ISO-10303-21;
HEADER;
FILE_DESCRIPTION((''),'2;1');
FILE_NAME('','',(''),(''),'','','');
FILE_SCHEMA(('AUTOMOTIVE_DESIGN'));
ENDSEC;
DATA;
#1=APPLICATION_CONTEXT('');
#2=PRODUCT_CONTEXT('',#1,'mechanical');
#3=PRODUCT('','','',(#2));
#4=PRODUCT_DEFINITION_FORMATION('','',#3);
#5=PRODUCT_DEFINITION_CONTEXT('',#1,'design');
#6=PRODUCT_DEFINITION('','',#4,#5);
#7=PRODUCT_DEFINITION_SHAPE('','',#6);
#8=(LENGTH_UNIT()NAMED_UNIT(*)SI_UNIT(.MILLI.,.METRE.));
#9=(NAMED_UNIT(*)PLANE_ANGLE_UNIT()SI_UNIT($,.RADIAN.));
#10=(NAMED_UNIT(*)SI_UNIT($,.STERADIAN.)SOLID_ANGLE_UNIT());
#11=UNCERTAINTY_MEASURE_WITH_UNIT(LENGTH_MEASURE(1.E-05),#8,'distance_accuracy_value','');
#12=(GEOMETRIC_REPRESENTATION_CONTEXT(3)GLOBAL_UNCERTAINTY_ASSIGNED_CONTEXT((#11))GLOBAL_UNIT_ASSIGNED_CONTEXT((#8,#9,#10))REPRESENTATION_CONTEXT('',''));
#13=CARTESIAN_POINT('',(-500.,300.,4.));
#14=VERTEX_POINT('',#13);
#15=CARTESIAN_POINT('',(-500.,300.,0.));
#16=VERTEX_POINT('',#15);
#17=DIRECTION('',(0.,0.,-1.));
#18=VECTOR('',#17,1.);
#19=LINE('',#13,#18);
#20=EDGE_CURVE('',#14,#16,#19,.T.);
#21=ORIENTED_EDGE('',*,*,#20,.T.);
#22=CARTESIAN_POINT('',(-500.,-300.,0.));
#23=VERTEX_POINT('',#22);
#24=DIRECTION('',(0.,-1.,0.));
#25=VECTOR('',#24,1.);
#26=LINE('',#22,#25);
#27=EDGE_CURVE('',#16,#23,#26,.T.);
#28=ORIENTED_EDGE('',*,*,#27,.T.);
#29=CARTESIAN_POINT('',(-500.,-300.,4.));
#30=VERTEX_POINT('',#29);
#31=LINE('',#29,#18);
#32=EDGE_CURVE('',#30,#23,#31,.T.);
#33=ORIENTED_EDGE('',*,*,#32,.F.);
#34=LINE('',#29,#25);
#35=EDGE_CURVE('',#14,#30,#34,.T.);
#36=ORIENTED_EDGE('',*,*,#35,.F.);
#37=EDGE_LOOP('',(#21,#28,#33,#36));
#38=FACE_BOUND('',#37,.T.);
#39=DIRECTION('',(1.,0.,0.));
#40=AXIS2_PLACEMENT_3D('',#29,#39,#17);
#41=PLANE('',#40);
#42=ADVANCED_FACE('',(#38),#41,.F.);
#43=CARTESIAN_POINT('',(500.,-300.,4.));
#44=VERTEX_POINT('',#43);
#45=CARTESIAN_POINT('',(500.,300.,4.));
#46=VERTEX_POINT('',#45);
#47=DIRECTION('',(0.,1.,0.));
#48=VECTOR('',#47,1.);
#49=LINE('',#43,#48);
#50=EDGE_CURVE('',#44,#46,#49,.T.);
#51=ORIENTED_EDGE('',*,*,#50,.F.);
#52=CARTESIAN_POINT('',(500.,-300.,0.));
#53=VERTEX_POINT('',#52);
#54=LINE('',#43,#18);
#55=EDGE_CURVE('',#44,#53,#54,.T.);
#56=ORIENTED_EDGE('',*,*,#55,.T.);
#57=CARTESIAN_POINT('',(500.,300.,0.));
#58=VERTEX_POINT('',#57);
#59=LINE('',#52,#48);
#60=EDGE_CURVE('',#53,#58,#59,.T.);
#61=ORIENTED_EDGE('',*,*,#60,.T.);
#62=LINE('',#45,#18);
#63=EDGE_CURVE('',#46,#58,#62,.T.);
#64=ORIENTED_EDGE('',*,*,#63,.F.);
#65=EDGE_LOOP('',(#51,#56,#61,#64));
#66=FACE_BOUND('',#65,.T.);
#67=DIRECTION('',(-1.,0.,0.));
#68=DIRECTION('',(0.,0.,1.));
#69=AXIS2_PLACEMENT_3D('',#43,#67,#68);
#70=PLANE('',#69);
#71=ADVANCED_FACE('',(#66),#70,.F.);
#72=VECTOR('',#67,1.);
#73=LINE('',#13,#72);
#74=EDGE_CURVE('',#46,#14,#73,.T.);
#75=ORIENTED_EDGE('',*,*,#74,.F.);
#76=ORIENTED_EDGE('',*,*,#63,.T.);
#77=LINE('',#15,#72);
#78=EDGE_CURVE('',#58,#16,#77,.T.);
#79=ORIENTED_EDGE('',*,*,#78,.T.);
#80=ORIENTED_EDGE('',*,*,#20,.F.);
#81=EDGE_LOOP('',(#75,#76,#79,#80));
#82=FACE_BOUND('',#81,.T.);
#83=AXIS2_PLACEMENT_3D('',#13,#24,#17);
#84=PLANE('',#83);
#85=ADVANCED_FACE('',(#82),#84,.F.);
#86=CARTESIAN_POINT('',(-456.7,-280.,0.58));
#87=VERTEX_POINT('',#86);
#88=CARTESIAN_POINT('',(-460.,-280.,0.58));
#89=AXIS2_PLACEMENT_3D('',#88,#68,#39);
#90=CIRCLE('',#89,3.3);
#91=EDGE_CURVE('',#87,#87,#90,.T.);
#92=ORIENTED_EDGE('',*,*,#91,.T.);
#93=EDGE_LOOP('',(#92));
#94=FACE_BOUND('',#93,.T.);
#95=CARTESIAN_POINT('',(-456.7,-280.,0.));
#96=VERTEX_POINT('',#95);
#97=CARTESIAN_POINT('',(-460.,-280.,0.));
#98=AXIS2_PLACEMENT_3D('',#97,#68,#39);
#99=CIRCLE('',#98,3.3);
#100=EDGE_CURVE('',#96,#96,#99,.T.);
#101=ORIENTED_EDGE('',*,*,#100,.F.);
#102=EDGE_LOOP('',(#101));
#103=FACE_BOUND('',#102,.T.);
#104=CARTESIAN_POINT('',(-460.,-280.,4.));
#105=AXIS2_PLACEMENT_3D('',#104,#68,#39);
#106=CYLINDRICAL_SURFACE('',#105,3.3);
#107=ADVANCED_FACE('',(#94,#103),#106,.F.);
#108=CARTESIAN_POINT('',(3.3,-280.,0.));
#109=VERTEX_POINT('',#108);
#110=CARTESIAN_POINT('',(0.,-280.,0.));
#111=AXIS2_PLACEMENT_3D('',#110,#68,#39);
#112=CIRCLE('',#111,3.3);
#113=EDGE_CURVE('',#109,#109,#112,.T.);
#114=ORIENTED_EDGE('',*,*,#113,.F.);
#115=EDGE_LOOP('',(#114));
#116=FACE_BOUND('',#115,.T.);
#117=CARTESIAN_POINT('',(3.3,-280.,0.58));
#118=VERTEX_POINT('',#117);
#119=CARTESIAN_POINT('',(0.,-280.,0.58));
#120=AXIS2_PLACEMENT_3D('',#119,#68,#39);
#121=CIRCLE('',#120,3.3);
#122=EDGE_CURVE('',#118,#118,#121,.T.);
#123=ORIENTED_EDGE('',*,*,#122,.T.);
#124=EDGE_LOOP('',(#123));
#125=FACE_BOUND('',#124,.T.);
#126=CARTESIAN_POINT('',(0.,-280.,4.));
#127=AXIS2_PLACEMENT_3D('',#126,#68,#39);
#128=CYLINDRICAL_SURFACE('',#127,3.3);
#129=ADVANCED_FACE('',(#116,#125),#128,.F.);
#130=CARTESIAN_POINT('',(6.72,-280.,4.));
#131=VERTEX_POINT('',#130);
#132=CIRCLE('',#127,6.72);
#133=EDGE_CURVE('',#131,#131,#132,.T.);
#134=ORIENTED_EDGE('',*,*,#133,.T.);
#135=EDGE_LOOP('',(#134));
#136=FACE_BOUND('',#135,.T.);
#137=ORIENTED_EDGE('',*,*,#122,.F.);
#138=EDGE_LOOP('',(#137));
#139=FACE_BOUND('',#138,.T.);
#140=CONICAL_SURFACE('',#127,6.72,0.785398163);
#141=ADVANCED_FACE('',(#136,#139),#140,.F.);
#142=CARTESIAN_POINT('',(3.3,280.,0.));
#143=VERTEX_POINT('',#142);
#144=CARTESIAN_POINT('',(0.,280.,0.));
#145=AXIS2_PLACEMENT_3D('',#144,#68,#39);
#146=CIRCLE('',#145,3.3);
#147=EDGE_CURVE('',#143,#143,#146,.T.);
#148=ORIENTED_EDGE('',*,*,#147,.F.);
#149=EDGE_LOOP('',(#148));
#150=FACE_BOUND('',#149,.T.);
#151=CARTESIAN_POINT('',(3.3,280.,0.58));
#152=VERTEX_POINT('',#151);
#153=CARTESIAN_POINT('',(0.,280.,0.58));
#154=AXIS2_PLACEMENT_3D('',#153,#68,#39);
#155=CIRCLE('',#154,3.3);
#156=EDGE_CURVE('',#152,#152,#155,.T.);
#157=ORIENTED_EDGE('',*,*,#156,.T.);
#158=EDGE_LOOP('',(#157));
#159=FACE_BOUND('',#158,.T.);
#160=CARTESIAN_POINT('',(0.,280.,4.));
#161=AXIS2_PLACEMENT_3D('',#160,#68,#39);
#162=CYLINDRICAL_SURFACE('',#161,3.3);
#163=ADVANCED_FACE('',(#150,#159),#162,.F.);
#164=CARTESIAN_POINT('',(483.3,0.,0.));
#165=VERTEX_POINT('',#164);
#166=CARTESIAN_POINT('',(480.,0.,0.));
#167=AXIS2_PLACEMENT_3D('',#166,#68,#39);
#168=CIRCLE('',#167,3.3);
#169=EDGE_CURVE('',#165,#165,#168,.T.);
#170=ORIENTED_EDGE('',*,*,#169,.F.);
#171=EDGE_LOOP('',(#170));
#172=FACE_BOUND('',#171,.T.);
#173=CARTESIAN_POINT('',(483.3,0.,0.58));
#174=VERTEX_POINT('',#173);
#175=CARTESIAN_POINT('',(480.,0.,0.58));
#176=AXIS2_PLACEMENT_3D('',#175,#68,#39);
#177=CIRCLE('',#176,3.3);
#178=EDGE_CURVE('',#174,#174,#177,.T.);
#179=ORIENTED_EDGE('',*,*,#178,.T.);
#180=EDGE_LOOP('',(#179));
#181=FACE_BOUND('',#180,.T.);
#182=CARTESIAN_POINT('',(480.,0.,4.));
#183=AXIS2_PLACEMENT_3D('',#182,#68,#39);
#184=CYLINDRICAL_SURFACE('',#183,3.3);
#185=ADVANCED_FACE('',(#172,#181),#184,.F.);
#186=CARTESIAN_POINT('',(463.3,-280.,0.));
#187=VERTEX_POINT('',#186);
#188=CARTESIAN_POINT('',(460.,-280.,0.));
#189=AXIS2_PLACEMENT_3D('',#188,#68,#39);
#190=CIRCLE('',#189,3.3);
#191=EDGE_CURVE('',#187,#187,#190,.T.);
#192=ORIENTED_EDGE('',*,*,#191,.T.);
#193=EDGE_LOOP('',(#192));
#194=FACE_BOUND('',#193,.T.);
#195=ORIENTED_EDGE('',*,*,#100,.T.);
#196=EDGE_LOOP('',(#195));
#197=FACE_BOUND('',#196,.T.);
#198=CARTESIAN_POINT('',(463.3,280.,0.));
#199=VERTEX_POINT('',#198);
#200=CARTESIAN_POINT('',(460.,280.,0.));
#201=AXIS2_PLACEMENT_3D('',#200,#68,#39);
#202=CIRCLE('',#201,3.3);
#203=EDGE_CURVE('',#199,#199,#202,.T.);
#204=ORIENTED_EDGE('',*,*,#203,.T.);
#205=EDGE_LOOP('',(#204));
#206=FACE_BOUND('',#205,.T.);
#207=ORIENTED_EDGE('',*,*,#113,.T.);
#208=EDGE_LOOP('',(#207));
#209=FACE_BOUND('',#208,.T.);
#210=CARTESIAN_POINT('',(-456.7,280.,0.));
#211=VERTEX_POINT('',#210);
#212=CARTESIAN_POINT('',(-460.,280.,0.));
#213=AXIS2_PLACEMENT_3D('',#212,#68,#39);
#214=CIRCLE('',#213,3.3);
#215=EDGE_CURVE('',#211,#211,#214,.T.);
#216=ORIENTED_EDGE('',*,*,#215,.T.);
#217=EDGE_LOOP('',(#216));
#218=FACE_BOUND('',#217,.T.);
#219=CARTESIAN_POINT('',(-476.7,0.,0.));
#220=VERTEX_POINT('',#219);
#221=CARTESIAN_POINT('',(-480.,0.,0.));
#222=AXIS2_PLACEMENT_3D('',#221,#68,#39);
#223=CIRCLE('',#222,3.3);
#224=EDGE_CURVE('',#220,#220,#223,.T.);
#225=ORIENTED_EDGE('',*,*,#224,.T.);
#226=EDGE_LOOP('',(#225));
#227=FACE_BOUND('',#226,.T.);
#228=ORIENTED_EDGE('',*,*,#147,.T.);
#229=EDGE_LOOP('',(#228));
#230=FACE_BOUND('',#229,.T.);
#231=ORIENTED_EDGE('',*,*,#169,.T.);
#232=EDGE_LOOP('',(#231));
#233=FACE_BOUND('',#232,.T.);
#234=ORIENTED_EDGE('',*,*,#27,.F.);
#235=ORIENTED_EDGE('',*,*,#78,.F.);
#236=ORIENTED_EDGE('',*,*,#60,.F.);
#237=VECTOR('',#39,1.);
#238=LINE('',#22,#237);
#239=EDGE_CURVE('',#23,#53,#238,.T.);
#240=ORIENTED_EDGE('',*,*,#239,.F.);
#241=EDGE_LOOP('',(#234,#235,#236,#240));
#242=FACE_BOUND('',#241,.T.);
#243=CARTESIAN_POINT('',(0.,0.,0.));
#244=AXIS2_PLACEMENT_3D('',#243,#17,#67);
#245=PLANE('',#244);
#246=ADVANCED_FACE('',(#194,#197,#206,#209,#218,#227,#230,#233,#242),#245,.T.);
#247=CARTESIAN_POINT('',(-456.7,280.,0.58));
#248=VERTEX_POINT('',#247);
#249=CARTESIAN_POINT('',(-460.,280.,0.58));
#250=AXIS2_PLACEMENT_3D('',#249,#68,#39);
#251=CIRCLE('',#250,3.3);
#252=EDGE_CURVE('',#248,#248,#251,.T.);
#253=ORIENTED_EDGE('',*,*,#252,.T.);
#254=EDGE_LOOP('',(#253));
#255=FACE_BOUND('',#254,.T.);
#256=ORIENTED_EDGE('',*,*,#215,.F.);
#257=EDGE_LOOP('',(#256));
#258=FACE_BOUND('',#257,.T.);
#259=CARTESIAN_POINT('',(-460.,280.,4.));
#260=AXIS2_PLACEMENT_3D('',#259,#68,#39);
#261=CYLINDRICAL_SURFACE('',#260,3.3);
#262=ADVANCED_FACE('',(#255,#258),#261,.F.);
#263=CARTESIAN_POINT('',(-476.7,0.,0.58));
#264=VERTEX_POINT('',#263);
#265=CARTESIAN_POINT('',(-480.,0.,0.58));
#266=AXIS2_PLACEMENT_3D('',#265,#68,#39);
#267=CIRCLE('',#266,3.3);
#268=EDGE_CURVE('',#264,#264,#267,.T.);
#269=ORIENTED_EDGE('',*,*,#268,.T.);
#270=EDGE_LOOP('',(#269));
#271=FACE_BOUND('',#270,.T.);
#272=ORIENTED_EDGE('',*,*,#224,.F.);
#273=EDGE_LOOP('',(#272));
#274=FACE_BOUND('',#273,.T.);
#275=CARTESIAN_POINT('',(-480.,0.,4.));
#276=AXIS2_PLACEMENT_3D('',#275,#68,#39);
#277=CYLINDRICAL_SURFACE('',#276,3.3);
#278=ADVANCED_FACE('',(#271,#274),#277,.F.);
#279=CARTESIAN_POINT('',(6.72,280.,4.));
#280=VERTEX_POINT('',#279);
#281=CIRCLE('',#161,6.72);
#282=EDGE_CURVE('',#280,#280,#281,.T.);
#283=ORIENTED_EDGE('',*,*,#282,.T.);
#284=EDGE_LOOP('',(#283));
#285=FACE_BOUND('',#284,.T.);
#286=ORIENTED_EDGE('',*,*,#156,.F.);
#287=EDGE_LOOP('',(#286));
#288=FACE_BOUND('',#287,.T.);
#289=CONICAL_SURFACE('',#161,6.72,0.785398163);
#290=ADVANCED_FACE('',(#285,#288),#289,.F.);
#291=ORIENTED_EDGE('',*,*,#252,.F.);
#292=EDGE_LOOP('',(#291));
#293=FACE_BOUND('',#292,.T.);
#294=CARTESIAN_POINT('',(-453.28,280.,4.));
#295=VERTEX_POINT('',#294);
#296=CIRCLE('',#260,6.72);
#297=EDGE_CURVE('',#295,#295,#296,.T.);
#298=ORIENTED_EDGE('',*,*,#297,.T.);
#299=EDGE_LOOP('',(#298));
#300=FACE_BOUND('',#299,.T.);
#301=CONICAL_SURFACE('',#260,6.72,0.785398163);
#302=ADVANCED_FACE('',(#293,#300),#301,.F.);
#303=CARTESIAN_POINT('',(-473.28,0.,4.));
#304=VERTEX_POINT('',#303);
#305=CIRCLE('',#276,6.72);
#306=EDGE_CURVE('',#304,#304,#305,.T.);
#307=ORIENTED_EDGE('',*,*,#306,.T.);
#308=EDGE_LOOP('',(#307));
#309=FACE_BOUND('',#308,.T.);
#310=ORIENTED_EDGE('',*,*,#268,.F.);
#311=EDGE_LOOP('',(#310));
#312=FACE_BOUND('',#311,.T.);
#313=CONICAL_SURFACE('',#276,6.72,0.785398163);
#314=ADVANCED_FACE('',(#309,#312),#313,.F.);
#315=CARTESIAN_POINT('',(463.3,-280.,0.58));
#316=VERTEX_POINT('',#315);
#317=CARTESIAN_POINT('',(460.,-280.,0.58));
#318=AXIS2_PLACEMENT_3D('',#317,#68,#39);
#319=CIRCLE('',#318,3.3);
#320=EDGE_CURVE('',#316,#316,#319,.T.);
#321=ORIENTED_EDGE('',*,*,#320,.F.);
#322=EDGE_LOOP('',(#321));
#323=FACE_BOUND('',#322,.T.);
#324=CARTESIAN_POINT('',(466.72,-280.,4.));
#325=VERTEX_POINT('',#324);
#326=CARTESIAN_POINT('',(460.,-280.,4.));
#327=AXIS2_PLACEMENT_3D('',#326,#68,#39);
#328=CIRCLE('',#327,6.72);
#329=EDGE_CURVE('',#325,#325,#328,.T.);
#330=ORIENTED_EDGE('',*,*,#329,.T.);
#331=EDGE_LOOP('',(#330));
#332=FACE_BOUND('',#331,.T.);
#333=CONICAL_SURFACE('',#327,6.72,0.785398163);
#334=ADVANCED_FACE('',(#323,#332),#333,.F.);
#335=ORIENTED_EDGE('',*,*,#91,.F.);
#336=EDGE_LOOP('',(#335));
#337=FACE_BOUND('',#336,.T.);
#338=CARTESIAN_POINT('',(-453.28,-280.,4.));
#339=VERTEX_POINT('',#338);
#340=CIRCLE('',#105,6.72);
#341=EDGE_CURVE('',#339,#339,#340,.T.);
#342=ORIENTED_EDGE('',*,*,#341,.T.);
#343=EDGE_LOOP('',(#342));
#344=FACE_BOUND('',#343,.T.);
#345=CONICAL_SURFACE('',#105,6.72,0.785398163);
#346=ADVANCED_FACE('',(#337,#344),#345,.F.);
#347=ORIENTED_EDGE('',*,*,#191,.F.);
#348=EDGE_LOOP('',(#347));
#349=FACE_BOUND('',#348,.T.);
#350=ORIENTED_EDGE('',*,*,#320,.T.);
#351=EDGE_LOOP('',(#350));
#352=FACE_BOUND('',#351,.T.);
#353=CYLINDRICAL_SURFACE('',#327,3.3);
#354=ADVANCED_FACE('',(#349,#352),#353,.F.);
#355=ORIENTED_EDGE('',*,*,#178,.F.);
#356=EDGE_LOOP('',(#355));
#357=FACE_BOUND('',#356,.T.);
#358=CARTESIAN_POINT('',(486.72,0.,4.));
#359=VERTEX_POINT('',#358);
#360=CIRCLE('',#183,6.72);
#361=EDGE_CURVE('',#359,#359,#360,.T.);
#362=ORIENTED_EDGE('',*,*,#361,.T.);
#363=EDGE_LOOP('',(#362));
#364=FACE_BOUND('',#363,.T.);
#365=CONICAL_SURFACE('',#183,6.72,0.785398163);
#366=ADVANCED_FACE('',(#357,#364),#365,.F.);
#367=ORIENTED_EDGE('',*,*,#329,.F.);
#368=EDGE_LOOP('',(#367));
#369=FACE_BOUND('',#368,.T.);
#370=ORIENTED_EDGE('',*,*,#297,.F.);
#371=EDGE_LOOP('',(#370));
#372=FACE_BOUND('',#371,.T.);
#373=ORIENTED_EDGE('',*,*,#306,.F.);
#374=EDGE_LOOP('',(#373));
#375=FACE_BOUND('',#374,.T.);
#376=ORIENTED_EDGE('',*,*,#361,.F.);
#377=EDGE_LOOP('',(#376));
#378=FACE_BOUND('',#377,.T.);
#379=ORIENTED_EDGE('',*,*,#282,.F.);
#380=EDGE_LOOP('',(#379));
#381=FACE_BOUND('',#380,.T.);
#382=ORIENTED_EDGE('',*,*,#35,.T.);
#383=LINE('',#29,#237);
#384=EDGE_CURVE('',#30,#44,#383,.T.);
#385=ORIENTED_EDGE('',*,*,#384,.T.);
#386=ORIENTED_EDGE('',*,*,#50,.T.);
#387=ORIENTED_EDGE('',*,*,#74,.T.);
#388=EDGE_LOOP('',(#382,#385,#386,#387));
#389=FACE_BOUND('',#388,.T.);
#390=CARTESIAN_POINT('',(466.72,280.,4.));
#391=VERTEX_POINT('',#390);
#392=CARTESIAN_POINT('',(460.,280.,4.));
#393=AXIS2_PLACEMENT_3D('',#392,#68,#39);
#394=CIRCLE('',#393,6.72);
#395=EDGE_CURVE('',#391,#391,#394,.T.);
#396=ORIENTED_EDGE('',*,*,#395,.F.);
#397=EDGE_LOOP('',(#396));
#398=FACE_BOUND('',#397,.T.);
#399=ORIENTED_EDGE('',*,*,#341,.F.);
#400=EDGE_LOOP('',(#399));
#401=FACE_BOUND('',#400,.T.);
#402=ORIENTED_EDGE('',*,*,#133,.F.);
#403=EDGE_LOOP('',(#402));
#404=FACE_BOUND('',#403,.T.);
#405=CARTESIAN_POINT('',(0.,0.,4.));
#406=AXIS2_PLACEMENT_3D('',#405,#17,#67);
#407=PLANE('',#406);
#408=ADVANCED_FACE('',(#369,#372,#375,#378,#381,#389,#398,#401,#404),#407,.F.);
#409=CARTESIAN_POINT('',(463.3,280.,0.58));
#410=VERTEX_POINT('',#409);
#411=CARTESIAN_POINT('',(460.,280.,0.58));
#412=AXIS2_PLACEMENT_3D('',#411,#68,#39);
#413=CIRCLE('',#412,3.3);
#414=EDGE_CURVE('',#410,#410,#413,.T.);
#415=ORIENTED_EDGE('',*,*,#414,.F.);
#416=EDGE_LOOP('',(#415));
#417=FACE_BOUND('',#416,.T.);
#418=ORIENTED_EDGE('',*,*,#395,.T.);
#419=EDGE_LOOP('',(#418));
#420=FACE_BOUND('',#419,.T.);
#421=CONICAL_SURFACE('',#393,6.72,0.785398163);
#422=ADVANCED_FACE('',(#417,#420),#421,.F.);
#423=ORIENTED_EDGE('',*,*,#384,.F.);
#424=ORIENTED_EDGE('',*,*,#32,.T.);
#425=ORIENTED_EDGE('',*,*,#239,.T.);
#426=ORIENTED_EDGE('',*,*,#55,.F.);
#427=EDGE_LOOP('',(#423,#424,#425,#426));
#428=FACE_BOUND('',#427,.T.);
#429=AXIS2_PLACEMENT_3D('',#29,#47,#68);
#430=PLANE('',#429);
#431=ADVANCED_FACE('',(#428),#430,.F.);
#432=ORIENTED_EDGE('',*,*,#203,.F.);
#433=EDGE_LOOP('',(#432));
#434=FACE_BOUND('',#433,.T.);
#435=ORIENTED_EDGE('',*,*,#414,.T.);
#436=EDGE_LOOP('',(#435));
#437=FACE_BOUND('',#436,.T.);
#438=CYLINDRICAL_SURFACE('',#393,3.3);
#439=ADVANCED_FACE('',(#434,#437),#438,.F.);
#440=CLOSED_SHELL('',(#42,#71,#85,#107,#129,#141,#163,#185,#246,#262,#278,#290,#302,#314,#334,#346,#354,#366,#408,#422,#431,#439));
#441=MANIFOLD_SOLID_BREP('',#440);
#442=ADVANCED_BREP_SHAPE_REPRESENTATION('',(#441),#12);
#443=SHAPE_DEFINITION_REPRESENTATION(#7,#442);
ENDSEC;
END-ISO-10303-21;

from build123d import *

# Parameters (mm, degrees)
SKETCH1_W                                    = 1000
SKETCH1_H                                    = 600
BOSS_EXTRUDE1_DEPTH                          = 4
CSK_FOR_M6_HEX_SOCKET_COUNTERSUNK_CA_2_COUNT = 2
CSK_FOR_M6_HEX_SOCKET_COUNTERSUNK_CA_2_PITCH = 960
CSK_FOR_M6_HEX_SOCKET_COUNTERSUNK_CA_3_COUNT = 2
CSK_FOR_M6_HEX_SOCKET_COUNTERSUNK_CA_3_PITCH = 280.713376952
CSK_FOR_M6_HEX_SOCKET_COUNTERSUNK_CA_4_COUNT = 2
CSK_FOR_M6_HEX_SOCKET_COUNTERSUNK_CA_4_PITCH = 555.697759578
CSK_FOR_M6_HEX_SOCKET_COUNTERSUNK_CA_5_COUNT = 2
CSK_FOR_M6_HEX_SOCKET_COUNTERSUNK_CA_5_PITCH = 980.815986819
CSK_FOR_M6_HEX_SOCKET_COUNTERSUNK_CA_6_COUNT = 2
CSK_FOR_M6_HEX_SOCKET_COUNTERSUNK_CA_6_PITCH = 980.815986819
CSK_FOR_M6_HEX_SOCKET_COUNTERSUNK_CA_7_COUNT = 2
CSK_FOR_M6_HEX_SOCKET_COUNTERSUNK_CA_7_PITCH = 555.697759578
CSK_FOR_M6_HEX_SOCKET_COUNTERSUNK_CA_8_COUNT = 2
CSK_FOR_M6_HEX_SOCKET_COUNTERSUNK_CA_8_PITCH = 280.713376952


with BuildPart() as part:
    # Sketch1 → Boss-Extrude1 (new body)
    with BuildSketch(Plane.XY):
        Rectangle(SKETCH1_W, SKETCH1_H)
    extrude(amount=BOSS_EXTRUDE1_DEPTH)

    # Sketch4 → CSK for M6 Hex Socket Countersunk Cap Screw1 (revolve, cut)
    with BuildSketch(Plane(origin=(-480, 0, 4), x_dir=(0, -1, 0), z_dir=(1, 0, 0))):
        Polygon((0, 0), (0, 4), (3.3, 4), (3.3, 3.42), (6.72, 0), align=None)
    csk_for_m6_hex_socket_countersunk_cap_sc = revolve(axis=Axis((-480, 0, 10.35), (0, 0, -1)), mode=Mode.SUBTRACT)

    # CSK for M6 Hex Socket Countersunk Ca 2: CSK for M6 Hex Socket Countersunk Cap Screw1 ×2
    with Locations(*[(i * CSK_FOR_M6_HEX_SOCKET_COUNTERSUNK_CA_2_PITCH, 0, 0) for i in range(1, CSK_FOR_M6_HEX_SOCKET_COUNTERSUNK_CA_2_COUNT)]):
        add(csk_for_m6_hex_socket_countersunk_cap_sc, mode=Mode.SUBTRACT)

    # CSK for M6 Hex Socket Countersunk Ca 3: CSK for M6 Hex Socket Countersunk Cap Screw1 ×2
    with Locations(*[Vector(0.07124704998790965, -0.997458699830735, 0) * (i * CSK_FOR_M6_HEX_SOCKET_COUNTERSUNK_CA_3_PITCH) for i in range(1, CSK_FOR_M6_HEX_SOCKET_COUNTERSUNK_CA_3_COUNT)]):
        add(csk_for_m6_hex_socket_countersunk_cap_sc, mode=Mode.SUBTRACT)

    # CSK for M6 Hex Socket Countersunk Ca 4: CSK for M6 Hex Socket Countersunk Cap Screw1 ×2
    with Locations(*[Vector(0.8637789008984335, -0.5038710255240862, 0) * (i * CSK_FOR_M6_HEX_SOCKET_COUNTERSUNK_CA_4_PITCH) for i in range(1, CSK_FOR_M6_HEX_SOCKET_COUNTERSUNK_CA_4_COUNT)]):
        add(csk_for_m6_hex_socket_countersunk_cap_sc, mode=Mode.SUBTRACT)

    # CSK for M6 Hex Socket Countersunk Ca 5: CSK for M6 Hex Socket Countersunk Cap Screw1 ×2
    with Locations(*[Vector(0.9583856835862682, -0.285476586600165, 0) * (i * CSK_FOR_M6_HEX_SOCKET_COUNTERSUNK_CA_5_PITCH) for i in range(1, CSK_FOR_M6_HEX_SOCKET_COUNTERSUNK_CA_5_COUNT)]):
        add(csk_for_m6_hex_socket_countersunk_cap_sc, mode=Mode.SUBTRACT)

    # CSK for M6 Hex Socket Countersunk Ca 6: CSK for M6 Hex Socket Countersunk Cap Screw1 ×2
    with Locations(*[Vector(0.9583856835862682, 0.285476586600165, 0) * (i * CSK_FOR_M6_HEX_SOCKET_COUNTERSUNK_CA_6_PITCH) for i in range(1, CSK_FOR_M6_HEX_SOCKET_COUNTERSUNK_CA_6_COUNT)]):
        add(csk_for_m6_hex_socket_countersunk_cap_sc, mode=Mode.SUBTRACT)

    # CSK for M6 Hex Socket Countersunk Ca 7: CSK for M6 Hex Socket Countersunk Cap Screw1 ×2
    with Locations(*[Vector(0.8637789008984335, 0.5038710255240862, 0) * (i * CSK_FOR_M6_HEX_SOCKET_COUNTERSUNK_CA_7_PITCH) for i in range(1, CSK_FOR_M6_HEX_SOCKET_COUNTERSUNK_CA_7_COUNT)]):
        add(csk_for_m6_hex_socket_countersunk_cap_sc, mode=Mode.SUBTRACT)

    # CSK for M6 Hex Socket Countersunk Ca 8: CSK for M6 Hex Socket Countersunk Cap Screw1 ×2
    with Locations(*[Vector(0.07124704998790965, 0.997458699830735, 0) * (i * CSK_FOR_M6_HEX_SOCKET_COUNTERSUNK_CA_8_PITCH) for i in range(1, CSK_FOR_M6_HEX_SOCKET_COUNTERSUNK_CA_8_COUNT)]):
        add(csk_for_m6_hex_socket_countersunk_cap_sc, mode=Mode.SUBTRACT)


solid = part.part
